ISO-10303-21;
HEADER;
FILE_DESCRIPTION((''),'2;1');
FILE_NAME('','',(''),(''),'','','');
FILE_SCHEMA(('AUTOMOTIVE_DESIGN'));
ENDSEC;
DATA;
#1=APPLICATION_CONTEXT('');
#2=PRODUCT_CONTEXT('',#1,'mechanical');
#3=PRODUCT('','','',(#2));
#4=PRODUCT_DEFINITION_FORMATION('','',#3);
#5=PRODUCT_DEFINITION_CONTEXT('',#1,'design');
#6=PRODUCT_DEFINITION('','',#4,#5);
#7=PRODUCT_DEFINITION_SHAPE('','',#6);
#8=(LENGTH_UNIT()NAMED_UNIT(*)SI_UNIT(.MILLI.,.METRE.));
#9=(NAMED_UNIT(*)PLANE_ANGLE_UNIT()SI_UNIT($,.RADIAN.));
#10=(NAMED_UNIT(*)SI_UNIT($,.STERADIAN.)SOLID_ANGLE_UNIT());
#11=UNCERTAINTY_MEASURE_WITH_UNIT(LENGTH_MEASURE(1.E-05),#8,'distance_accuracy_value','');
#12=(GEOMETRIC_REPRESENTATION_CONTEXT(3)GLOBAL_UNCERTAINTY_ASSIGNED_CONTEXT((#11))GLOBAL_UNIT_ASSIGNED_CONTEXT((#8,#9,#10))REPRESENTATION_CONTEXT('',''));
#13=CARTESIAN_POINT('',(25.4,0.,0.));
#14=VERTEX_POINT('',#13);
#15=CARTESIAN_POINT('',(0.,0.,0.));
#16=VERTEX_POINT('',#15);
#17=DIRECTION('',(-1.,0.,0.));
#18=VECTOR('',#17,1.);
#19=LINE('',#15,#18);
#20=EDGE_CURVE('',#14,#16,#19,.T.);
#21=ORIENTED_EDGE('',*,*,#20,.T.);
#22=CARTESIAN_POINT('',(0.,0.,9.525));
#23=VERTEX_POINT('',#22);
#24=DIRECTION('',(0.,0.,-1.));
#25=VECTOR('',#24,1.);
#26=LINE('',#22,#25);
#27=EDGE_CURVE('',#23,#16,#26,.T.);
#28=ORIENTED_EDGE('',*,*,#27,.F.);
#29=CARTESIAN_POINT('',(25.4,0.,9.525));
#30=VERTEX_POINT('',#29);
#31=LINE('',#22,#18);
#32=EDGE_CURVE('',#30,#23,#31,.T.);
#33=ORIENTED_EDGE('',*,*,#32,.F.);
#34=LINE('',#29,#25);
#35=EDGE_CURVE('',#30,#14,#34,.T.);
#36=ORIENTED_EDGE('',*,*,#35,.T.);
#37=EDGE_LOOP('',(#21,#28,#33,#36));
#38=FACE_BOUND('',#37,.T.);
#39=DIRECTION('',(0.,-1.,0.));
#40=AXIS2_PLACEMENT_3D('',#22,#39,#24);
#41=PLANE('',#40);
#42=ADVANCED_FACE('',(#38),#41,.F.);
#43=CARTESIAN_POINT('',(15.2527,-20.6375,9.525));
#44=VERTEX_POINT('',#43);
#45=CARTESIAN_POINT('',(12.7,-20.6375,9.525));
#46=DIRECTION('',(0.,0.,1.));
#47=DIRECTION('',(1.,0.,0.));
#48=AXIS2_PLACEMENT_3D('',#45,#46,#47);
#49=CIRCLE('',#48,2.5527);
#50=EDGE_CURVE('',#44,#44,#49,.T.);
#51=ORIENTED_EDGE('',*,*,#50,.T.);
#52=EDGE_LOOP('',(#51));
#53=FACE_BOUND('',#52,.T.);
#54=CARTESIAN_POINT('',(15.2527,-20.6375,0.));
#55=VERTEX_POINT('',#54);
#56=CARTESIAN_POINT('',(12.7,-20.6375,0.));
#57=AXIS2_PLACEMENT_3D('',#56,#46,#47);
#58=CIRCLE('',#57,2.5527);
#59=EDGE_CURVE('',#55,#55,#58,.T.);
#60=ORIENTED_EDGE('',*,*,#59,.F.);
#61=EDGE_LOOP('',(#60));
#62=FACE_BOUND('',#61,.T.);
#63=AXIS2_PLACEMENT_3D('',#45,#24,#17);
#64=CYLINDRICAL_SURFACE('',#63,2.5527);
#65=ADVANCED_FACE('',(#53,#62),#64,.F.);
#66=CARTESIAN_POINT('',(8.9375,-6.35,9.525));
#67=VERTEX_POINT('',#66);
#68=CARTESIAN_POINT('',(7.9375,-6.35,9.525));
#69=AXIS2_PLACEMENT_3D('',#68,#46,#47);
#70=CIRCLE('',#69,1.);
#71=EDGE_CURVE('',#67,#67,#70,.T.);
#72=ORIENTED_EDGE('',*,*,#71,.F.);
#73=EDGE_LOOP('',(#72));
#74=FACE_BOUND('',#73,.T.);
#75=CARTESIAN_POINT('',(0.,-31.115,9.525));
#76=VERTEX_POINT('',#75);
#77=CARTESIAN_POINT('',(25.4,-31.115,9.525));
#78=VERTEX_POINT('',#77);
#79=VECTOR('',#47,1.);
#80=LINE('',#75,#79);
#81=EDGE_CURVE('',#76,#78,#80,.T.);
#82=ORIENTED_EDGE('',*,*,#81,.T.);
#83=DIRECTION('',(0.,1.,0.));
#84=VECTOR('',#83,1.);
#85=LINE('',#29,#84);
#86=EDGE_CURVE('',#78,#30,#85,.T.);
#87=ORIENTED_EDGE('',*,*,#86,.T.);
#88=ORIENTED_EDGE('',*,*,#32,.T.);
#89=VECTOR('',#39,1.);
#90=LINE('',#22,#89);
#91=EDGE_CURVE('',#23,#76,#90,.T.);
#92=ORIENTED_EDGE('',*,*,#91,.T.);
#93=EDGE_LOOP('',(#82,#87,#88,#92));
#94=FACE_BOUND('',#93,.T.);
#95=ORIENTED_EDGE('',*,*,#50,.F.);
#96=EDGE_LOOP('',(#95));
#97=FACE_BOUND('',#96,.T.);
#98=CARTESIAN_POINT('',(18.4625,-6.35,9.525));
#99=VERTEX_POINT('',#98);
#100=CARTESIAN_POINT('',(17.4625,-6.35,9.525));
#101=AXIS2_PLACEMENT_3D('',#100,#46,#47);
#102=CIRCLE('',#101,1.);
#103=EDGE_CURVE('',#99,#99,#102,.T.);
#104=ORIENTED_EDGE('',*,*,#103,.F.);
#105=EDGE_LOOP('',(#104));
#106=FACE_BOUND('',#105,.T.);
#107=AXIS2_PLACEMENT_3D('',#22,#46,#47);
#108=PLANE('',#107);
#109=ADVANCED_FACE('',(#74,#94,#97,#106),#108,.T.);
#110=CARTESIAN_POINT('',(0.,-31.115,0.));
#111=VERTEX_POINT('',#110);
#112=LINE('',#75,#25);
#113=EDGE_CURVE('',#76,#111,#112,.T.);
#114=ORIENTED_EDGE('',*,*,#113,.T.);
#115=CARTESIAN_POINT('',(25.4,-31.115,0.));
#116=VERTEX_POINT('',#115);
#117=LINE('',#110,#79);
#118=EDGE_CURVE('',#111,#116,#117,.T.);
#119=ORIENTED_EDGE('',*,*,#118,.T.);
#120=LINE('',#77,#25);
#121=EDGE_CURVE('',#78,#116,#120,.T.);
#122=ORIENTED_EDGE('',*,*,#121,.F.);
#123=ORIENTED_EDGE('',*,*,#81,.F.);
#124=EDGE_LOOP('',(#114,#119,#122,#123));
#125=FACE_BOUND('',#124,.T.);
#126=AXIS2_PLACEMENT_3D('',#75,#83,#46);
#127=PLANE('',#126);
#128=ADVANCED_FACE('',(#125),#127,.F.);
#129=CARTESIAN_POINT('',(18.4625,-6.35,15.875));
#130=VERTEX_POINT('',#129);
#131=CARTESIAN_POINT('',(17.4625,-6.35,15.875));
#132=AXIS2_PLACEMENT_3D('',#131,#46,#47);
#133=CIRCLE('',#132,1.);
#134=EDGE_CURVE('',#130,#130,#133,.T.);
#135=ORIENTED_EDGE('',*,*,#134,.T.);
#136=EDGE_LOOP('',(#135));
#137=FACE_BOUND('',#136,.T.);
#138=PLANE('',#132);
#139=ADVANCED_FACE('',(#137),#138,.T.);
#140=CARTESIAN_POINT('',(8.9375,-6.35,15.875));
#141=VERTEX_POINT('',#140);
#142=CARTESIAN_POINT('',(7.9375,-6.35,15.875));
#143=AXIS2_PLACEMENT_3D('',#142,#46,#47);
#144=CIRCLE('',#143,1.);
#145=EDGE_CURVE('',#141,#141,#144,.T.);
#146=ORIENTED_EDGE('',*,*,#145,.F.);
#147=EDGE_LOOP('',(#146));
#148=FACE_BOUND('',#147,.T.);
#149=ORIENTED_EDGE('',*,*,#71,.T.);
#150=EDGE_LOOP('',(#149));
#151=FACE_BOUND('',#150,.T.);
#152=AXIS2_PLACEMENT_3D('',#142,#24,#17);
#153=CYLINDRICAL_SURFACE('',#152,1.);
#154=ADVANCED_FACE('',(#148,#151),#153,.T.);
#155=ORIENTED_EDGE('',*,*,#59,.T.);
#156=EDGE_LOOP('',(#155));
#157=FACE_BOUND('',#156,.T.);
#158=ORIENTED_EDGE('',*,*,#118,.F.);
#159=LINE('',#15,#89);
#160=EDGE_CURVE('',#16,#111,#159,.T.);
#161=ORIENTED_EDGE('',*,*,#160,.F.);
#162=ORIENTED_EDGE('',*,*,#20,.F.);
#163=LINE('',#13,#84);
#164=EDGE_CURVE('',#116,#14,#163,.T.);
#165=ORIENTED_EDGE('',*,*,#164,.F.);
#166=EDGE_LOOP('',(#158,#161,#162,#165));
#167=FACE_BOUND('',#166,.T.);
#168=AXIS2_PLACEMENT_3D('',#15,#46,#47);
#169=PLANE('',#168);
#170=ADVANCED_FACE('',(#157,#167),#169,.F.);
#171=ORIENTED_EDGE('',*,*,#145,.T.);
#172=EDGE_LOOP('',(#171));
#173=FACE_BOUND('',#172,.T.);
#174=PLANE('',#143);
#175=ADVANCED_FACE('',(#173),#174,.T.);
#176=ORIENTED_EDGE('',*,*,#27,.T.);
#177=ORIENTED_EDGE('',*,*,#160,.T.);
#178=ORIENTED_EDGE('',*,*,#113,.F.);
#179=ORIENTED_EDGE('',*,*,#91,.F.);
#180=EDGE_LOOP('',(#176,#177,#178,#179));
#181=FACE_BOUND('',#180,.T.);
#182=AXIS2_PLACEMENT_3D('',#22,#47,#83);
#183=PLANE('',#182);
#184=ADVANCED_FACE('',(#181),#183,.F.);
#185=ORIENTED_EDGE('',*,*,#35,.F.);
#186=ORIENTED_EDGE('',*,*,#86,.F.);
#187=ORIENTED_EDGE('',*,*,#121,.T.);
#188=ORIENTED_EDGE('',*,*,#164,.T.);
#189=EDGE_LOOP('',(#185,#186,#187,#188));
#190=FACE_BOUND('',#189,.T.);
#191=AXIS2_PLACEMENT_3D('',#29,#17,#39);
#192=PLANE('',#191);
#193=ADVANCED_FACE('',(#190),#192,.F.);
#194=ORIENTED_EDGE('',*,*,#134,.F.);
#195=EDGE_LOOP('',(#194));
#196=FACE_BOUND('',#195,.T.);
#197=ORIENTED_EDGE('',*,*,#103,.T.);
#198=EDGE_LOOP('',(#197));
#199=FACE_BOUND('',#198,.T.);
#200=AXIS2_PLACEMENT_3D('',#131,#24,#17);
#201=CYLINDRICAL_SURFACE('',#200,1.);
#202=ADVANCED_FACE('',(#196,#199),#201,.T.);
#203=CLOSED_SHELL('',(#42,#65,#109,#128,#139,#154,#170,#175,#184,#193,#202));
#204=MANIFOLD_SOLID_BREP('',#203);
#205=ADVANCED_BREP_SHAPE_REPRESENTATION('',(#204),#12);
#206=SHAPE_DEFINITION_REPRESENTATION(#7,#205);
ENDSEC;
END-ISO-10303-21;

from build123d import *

# Parameters (mm, degrees)
SKETCH1_W           = 25.4
SKETCH1_H           = 31.115
SKETCH1_R           = 2.5527
BOSS_EXTRUDE2_DEPTH = 9.525
SKETCH2_R           = 1
BOSS_EXTRUDE3_DEPTH = 6.35


with BuildPart() as part:
    # Sketch1 → Boss-Extrude2 (new body)
    with BuildSketch(Plane.XY):
        with Locations((12.7, -15.5575)):
            Rectangle(SKETCH1_W, SKETCH1_H)
        with Locations((12.7, -20.6375)):
            Circle(SKETCH1_R, mode=Mode.SUBTRACT)
    extrude(amount=BOSS_EXTRUDE2_DEPTH)

    # Sketch2 → Boss-Extrude3 (add)
    with BuildSketch(Plane.XY.offset(9.525)):
        with Locations((7.9375, -6.35)):
            Circle(SKETCH2_R)
        with Locations((17.4625, -6.35)):
            Circle(SKETCH2_R)
    extrude(amount=BOSS_EXTRUDE3_DEPTH)


solid = part.part
